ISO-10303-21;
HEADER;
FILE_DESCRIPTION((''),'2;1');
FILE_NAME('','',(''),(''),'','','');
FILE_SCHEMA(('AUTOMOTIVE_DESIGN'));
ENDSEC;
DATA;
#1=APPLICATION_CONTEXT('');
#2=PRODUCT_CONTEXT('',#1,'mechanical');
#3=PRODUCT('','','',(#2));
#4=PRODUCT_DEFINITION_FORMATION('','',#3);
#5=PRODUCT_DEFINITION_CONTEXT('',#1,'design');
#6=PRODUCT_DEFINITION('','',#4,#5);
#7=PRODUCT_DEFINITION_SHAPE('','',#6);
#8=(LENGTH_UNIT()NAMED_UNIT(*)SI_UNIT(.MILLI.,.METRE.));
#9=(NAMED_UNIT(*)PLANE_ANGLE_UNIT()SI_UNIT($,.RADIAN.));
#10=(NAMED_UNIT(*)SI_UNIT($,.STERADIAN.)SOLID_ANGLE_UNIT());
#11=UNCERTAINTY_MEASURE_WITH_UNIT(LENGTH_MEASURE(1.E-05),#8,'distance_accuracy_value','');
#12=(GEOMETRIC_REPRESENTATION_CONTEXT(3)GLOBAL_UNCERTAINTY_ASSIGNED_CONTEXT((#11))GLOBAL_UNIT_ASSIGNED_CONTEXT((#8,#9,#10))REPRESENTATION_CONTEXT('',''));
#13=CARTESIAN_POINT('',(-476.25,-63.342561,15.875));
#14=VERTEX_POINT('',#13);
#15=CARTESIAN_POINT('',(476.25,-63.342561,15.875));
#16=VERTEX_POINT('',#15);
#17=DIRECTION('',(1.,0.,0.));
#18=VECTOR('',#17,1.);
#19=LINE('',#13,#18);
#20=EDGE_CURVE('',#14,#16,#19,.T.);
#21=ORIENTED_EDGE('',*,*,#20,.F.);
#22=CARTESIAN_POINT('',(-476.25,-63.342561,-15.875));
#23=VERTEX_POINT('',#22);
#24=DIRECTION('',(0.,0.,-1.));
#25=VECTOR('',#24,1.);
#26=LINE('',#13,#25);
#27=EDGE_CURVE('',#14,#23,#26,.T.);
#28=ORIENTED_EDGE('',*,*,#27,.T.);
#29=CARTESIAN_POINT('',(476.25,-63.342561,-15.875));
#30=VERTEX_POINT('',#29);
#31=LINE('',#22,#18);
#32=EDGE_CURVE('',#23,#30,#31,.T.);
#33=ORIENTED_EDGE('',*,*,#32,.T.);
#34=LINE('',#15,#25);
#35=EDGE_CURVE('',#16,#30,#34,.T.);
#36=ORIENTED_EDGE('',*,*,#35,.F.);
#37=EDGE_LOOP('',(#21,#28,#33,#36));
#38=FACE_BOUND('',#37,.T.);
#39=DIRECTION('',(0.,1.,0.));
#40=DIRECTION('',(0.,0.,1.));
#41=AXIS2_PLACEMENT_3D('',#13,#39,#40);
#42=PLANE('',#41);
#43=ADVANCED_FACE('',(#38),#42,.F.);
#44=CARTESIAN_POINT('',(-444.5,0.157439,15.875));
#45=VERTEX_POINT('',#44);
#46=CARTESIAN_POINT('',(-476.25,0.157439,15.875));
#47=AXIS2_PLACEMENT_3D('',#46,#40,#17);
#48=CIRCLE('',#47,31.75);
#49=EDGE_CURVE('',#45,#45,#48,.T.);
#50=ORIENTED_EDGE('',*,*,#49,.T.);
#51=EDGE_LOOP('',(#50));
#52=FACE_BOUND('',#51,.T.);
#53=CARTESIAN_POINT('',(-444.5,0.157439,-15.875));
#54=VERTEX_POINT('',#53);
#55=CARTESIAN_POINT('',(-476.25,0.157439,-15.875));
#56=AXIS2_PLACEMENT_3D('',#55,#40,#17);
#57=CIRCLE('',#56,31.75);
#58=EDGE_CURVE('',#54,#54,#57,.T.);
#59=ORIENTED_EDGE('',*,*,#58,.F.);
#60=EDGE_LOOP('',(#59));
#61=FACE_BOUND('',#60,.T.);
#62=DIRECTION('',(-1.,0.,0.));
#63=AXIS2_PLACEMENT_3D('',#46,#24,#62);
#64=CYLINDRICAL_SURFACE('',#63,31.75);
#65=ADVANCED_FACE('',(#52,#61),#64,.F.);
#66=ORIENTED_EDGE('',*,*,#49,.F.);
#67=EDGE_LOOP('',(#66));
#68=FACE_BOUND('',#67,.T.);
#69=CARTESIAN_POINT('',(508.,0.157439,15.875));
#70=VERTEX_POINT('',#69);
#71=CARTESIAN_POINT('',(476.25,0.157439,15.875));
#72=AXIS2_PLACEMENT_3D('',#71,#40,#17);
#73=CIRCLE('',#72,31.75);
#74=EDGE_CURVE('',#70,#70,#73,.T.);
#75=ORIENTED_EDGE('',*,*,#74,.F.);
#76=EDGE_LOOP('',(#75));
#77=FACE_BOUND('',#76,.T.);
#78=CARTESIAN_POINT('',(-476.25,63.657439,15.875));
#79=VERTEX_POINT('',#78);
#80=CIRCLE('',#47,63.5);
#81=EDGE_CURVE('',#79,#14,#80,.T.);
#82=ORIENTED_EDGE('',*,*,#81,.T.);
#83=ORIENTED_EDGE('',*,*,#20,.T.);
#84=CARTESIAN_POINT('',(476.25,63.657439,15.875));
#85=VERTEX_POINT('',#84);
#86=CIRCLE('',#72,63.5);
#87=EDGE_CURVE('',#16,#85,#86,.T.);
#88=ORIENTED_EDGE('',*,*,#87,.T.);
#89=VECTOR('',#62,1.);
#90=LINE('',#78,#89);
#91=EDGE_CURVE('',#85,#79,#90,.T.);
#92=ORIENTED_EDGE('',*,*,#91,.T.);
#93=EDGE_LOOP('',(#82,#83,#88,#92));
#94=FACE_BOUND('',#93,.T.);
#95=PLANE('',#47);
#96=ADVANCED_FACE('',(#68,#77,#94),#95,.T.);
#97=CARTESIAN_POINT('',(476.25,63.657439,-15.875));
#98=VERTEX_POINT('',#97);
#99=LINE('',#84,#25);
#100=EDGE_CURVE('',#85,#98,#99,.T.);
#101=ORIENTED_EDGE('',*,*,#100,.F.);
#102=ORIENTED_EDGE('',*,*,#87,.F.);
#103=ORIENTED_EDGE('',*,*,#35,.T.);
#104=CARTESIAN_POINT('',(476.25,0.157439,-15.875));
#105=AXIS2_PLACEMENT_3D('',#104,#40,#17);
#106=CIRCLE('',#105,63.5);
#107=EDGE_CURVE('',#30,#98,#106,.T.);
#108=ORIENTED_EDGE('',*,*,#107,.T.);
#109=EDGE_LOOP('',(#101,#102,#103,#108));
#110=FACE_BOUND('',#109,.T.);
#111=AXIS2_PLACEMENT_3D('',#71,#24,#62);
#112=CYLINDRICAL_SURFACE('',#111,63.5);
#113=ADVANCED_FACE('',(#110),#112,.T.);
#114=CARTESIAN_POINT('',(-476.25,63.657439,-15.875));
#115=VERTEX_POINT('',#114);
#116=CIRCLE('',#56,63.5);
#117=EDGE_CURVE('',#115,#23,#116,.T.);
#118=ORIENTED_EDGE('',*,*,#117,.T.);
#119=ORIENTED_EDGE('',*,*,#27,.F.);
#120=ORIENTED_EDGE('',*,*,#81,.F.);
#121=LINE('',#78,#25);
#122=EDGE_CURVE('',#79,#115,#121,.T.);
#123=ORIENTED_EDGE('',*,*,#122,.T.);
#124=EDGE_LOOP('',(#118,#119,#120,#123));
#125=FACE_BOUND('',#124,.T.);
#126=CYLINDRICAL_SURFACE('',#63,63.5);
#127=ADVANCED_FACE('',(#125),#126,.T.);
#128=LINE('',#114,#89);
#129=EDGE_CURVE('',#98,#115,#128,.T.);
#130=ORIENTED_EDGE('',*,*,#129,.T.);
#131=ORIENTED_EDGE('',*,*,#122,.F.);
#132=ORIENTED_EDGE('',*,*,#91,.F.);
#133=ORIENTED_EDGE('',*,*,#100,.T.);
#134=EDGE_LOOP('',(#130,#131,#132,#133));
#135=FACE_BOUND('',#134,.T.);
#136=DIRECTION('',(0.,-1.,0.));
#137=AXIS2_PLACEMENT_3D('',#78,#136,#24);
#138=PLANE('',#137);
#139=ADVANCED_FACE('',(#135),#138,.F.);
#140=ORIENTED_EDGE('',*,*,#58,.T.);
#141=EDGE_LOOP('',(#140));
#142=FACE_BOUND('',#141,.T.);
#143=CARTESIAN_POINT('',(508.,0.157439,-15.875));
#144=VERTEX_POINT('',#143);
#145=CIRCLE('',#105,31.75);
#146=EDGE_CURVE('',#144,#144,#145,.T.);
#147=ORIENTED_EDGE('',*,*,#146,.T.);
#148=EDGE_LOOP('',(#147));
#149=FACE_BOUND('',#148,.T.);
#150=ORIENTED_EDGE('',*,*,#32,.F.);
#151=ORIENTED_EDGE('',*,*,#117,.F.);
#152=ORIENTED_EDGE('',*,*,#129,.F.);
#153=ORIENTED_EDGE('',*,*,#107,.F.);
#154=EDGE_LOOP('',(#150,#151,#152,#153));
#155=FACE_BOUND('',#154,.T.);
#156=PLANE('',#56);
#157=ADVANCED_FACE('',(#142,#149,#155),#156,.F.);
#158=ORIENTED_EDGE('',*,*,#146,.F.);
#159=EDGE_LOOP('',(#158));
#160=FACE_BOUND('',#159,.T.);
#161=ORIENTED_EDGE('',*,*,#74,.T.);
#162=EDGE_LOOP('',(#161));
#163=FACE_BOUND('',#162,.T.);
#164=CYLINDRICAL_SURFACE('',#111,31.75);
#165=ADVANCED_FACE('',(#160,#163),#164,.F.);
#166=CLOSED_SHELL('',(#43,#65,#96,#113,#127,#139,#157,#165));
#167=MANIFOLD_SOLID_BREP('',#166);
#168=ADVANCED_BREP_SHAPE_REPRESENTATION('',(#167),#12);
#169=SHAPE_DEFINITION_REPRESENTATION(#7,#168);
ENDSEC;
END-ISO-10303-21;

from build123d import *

# Parameters (mm, degrees)
SKETCH1_R           = 31.75
BOSS_EXTRUDE1_DEPTH = 15.875


with BuildPart() as part:
    # Sketch1 → Boss-Extrude1 (new, symmetric)
    with BuildSketch(Plane.XY):
        with BuildLine():
            Line((-476.25, 63.657439452), (476.25, 63.657439452))
            ThreePointArc((476.25, 63.657439452), (539.75, 0.157439452), (476.25, -63.342560548))
            Line((476.25, -63.342560548), (-476.25, -63.342560548))
            ThreePointArc((-476.25, -63.342560548), (-539.75, 0.157439452), (-476.25, 63.657439452))
        make_face()
        with Locations((-476.25, 0.157439452)):
            Circle(SKETCH1_R, mode=Mode.SUBTRACT)
        with Locations((476.25, 0.157439452)):
            Circle(SKETCH1_R, mode=Mode.SUBTRACT)
    extrude(amount=BOSS_EXTRUDE1_DEPTH, both=True)


solid = part.part
